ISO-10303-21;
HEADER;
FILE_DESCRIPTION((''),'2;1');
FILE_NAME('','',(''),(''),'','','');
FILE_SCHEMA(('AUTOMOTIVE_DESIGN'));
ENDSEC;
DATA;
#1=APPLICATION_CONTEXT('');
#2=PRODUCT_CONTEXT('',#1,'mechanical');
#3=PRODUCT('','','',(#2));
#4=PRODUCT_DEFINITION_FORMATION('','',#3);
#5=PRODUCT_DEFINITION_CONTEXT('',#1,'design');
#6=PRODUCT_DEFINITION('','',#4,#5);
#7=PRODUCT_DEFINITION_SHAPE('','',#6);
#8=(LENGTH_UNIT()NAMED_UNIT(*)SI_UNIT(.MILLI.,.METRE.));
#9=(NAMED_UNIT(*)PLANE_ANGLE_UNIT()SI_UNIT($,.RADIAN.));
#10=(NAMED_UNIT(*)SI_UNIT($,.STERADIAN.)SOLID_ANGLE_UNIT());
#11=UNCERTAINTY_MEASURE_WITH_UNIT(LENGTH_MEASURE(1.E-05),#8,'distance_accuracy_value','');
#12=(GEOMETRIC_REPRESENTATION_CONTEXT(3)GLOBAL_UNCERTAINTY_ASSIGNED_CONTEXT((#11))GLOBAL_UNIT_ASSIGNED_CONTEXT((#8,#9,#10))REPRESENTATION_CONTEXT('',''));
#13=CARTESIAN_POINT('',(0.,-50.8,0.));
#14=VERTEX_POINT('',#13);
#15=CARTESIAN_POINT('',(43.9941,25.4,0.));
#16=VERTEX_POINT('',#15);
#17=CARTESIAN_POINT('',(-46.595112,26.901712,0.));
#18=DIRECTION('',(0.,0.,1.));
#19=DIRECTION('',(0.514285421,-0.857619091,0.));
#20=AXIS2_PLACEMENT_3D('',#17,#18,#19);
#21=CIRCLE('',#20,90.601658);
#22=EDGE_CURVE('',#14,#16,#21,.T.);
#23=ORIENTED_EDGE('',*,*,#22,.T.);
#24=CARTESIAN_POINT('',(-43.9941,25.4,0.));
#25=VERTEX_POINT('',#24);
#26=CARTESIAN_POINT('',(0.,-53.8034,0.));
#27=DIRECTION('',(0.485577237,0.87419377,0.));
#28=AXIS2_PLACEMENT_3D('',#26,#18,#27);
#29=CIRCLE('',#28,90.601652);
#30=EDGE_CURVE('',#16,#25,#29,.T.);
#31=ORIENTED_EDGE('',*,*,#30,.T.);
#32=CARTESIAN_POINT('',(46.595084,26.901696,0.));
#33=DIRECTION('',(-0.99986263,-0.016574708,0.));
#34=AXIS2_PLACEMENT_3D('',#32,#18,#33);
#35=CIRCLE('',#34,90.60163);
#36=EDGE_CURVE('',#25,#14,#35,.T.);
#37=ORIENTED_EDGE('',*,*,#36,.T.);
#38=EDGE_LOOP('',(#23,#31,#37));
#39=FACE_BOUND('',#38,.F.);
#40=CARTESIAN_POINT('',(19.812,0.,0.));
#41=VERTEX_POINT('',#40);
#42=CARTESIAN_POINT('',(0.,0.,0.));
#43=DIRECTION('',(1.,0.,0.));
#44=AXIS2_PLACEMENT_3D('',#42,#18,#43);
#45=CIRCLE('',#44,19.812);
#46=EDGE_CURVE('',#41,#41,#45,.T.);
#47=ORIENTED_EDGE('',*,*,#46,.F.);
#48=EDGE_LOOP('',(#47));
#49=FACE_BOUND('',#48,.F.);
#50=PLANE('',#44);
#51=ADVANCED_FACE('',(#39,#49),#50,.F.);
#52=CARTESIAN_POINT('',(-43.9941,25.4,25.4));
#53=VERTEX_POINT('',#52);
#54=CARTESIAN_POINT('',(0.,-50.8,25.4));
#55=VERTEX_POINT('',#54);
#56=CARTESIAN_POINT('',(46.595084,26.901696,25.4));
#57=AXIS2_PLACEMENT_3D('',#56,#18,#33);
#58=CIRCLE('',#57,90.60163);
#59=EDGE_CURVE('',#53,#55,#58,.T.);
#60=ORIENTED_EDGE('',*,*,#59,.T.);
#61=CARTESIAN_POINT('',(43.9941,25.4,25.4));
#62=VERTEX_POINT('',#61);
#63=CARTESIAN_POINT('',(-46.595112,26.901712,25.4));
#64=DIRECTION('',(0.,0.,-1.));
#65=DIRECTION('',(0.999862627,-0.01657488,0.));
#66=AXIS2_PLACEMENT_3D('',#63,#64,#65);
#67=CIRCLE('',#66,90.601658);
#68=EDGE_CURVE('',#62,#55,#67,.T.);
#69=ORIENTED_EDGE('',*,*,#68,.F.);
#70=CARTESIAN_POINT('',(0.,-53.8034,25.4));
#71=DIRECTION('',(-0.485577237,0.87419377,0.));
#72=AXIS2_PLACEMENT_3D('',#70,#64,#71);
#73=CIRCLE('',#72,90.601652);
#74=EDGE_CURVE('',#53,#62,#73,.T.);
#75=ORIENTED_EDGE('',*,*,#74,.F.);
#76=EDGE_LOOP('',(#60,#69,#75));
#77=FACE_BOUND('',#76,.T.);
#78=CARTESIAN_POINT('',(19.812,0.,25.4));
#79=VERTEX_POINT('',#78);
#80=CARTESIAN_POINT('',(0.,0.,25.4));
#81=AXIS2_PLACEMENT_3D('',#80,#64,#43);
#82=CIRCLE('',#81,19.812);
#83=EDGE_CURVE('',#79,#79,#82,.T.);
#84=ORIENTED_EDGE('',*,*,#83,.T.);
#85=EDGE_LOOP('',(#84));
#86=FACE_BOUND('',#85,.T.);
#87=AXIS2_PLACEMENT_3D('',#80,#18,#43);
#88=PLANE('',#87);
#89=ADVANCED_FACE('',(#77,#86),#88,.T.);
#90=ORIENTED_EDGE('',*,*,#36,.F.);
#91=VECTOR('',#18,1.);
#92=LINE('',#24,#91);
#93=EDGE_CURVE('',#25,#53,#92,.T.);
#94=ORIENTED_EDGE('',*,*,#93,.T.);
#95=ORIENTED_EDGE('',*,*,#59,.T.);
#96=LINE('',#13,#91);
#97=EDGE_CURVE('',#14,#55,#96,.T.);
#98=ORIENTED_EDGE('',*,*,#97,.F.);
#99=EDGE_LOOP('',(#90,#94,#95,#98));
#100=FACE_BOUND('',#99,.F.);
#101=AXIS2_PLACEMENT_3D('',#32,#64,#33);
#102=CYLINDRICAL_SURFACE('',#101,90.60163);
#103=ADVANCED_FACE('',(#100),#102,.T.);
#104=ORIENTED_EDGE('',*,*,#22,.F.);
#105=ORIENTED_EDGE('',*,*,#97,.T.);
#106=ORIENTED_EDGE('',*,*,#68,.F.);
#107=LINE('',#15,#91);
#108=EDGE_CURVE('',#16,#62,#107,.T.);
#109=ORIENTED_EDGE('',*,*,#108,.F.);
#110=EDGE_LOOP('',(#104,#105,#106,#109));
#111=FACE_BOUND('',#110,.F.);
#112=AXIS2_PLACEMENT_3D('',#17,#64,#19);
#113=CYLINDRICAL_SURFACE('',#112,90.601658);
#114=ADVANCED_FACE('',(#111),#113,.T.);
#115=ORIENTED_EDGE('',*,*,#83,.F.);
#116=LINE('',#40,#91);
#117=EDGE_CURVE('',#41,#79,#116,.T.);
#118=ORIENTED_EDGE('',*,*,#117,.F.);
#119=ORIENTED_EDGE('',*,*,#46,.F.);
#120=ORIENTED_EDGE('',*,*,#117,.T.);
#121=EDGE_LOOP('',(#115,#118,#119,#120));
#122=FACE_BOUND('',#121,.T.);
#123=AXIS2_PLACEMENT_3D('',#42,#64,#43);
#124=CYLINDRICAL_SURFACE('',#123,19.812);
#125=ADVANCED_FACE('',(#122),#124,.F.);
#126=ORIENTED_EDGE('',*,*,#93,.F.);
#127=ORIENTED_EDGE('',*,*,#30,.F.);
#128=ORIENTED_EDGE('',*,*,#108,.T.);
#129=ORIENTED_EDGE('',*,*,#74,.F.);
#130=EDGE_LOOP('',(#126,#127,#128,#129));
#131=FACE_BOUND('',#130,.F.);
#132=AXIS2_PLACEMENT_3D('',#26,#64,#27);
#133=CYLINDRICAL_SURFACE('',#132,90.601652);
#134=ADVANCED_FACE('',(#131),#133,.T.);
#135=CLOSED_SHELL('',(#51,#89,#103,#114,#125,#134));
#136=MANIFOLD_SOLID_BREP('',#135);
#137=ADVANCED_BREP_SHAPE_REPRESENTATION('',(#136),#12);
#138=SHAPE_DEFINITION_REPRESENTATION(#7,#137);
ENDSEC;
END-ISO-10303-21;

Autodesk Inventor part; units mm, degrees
ref_plane "YZ Plane" through (0, 0, 0) normal (1, 0, 0) x (0, 1, 0)
ref_plane "XZ Plane" through (0, 0, 0) normal (0, 1, 0) x (-1, 0, 0)
ref_plane "XY Plane" through (0, 0, 0) normal (0, 0, 1) x (1, 0, 0)
sketch "Sketch1" plane through (0, 0, 0) normal (0, 0, 1) x (1, 0, 0)
  line L0 (0, -50.8) -> (-43.9941, 25.4)
  line L1 (43.9941, 25.4) -> (0, -50.8)
  line L2 (-43.9941, 25.4) -> (43.9941, 25.4)
  line L3 (0, -50.8) -> (0, 0)
  line L4 (0, 0) -> (41.6526, 0)
  line L5 (0, 37.592) -> (0, 36.7982)
  arc A0 (43.9941, 25.4) -> (-43.9941, 25.4) centre (0, -53.8034) ccw
  arc A1 (0, -50.8) -> (43.9941, 25.4) centre (-46.5951, 26.9017) ccw
  arc A2 (-43.9941, 25.4) -> (0, -50.8) centre (46.5951, 26.9017) ccw
  circle A3 centre (0, 0) radius 19.812
  point P0 (57.404, -6.604)
  dimension "d7" = 30
  dimension "d8" = 30
  dimension "d9" = 0.7937
  dimension "d10" = 39.624
extrude "Extrusion1" add sketch "Sketch1" along normal blind 25.4 contours A2 L0 | L3 A3 L4 L1 | L0 L2 L1 L4 A3 L3 | L1 L4 A1 | A0 L2 | L1 A1 L4
properties part number "Rotor_test"
